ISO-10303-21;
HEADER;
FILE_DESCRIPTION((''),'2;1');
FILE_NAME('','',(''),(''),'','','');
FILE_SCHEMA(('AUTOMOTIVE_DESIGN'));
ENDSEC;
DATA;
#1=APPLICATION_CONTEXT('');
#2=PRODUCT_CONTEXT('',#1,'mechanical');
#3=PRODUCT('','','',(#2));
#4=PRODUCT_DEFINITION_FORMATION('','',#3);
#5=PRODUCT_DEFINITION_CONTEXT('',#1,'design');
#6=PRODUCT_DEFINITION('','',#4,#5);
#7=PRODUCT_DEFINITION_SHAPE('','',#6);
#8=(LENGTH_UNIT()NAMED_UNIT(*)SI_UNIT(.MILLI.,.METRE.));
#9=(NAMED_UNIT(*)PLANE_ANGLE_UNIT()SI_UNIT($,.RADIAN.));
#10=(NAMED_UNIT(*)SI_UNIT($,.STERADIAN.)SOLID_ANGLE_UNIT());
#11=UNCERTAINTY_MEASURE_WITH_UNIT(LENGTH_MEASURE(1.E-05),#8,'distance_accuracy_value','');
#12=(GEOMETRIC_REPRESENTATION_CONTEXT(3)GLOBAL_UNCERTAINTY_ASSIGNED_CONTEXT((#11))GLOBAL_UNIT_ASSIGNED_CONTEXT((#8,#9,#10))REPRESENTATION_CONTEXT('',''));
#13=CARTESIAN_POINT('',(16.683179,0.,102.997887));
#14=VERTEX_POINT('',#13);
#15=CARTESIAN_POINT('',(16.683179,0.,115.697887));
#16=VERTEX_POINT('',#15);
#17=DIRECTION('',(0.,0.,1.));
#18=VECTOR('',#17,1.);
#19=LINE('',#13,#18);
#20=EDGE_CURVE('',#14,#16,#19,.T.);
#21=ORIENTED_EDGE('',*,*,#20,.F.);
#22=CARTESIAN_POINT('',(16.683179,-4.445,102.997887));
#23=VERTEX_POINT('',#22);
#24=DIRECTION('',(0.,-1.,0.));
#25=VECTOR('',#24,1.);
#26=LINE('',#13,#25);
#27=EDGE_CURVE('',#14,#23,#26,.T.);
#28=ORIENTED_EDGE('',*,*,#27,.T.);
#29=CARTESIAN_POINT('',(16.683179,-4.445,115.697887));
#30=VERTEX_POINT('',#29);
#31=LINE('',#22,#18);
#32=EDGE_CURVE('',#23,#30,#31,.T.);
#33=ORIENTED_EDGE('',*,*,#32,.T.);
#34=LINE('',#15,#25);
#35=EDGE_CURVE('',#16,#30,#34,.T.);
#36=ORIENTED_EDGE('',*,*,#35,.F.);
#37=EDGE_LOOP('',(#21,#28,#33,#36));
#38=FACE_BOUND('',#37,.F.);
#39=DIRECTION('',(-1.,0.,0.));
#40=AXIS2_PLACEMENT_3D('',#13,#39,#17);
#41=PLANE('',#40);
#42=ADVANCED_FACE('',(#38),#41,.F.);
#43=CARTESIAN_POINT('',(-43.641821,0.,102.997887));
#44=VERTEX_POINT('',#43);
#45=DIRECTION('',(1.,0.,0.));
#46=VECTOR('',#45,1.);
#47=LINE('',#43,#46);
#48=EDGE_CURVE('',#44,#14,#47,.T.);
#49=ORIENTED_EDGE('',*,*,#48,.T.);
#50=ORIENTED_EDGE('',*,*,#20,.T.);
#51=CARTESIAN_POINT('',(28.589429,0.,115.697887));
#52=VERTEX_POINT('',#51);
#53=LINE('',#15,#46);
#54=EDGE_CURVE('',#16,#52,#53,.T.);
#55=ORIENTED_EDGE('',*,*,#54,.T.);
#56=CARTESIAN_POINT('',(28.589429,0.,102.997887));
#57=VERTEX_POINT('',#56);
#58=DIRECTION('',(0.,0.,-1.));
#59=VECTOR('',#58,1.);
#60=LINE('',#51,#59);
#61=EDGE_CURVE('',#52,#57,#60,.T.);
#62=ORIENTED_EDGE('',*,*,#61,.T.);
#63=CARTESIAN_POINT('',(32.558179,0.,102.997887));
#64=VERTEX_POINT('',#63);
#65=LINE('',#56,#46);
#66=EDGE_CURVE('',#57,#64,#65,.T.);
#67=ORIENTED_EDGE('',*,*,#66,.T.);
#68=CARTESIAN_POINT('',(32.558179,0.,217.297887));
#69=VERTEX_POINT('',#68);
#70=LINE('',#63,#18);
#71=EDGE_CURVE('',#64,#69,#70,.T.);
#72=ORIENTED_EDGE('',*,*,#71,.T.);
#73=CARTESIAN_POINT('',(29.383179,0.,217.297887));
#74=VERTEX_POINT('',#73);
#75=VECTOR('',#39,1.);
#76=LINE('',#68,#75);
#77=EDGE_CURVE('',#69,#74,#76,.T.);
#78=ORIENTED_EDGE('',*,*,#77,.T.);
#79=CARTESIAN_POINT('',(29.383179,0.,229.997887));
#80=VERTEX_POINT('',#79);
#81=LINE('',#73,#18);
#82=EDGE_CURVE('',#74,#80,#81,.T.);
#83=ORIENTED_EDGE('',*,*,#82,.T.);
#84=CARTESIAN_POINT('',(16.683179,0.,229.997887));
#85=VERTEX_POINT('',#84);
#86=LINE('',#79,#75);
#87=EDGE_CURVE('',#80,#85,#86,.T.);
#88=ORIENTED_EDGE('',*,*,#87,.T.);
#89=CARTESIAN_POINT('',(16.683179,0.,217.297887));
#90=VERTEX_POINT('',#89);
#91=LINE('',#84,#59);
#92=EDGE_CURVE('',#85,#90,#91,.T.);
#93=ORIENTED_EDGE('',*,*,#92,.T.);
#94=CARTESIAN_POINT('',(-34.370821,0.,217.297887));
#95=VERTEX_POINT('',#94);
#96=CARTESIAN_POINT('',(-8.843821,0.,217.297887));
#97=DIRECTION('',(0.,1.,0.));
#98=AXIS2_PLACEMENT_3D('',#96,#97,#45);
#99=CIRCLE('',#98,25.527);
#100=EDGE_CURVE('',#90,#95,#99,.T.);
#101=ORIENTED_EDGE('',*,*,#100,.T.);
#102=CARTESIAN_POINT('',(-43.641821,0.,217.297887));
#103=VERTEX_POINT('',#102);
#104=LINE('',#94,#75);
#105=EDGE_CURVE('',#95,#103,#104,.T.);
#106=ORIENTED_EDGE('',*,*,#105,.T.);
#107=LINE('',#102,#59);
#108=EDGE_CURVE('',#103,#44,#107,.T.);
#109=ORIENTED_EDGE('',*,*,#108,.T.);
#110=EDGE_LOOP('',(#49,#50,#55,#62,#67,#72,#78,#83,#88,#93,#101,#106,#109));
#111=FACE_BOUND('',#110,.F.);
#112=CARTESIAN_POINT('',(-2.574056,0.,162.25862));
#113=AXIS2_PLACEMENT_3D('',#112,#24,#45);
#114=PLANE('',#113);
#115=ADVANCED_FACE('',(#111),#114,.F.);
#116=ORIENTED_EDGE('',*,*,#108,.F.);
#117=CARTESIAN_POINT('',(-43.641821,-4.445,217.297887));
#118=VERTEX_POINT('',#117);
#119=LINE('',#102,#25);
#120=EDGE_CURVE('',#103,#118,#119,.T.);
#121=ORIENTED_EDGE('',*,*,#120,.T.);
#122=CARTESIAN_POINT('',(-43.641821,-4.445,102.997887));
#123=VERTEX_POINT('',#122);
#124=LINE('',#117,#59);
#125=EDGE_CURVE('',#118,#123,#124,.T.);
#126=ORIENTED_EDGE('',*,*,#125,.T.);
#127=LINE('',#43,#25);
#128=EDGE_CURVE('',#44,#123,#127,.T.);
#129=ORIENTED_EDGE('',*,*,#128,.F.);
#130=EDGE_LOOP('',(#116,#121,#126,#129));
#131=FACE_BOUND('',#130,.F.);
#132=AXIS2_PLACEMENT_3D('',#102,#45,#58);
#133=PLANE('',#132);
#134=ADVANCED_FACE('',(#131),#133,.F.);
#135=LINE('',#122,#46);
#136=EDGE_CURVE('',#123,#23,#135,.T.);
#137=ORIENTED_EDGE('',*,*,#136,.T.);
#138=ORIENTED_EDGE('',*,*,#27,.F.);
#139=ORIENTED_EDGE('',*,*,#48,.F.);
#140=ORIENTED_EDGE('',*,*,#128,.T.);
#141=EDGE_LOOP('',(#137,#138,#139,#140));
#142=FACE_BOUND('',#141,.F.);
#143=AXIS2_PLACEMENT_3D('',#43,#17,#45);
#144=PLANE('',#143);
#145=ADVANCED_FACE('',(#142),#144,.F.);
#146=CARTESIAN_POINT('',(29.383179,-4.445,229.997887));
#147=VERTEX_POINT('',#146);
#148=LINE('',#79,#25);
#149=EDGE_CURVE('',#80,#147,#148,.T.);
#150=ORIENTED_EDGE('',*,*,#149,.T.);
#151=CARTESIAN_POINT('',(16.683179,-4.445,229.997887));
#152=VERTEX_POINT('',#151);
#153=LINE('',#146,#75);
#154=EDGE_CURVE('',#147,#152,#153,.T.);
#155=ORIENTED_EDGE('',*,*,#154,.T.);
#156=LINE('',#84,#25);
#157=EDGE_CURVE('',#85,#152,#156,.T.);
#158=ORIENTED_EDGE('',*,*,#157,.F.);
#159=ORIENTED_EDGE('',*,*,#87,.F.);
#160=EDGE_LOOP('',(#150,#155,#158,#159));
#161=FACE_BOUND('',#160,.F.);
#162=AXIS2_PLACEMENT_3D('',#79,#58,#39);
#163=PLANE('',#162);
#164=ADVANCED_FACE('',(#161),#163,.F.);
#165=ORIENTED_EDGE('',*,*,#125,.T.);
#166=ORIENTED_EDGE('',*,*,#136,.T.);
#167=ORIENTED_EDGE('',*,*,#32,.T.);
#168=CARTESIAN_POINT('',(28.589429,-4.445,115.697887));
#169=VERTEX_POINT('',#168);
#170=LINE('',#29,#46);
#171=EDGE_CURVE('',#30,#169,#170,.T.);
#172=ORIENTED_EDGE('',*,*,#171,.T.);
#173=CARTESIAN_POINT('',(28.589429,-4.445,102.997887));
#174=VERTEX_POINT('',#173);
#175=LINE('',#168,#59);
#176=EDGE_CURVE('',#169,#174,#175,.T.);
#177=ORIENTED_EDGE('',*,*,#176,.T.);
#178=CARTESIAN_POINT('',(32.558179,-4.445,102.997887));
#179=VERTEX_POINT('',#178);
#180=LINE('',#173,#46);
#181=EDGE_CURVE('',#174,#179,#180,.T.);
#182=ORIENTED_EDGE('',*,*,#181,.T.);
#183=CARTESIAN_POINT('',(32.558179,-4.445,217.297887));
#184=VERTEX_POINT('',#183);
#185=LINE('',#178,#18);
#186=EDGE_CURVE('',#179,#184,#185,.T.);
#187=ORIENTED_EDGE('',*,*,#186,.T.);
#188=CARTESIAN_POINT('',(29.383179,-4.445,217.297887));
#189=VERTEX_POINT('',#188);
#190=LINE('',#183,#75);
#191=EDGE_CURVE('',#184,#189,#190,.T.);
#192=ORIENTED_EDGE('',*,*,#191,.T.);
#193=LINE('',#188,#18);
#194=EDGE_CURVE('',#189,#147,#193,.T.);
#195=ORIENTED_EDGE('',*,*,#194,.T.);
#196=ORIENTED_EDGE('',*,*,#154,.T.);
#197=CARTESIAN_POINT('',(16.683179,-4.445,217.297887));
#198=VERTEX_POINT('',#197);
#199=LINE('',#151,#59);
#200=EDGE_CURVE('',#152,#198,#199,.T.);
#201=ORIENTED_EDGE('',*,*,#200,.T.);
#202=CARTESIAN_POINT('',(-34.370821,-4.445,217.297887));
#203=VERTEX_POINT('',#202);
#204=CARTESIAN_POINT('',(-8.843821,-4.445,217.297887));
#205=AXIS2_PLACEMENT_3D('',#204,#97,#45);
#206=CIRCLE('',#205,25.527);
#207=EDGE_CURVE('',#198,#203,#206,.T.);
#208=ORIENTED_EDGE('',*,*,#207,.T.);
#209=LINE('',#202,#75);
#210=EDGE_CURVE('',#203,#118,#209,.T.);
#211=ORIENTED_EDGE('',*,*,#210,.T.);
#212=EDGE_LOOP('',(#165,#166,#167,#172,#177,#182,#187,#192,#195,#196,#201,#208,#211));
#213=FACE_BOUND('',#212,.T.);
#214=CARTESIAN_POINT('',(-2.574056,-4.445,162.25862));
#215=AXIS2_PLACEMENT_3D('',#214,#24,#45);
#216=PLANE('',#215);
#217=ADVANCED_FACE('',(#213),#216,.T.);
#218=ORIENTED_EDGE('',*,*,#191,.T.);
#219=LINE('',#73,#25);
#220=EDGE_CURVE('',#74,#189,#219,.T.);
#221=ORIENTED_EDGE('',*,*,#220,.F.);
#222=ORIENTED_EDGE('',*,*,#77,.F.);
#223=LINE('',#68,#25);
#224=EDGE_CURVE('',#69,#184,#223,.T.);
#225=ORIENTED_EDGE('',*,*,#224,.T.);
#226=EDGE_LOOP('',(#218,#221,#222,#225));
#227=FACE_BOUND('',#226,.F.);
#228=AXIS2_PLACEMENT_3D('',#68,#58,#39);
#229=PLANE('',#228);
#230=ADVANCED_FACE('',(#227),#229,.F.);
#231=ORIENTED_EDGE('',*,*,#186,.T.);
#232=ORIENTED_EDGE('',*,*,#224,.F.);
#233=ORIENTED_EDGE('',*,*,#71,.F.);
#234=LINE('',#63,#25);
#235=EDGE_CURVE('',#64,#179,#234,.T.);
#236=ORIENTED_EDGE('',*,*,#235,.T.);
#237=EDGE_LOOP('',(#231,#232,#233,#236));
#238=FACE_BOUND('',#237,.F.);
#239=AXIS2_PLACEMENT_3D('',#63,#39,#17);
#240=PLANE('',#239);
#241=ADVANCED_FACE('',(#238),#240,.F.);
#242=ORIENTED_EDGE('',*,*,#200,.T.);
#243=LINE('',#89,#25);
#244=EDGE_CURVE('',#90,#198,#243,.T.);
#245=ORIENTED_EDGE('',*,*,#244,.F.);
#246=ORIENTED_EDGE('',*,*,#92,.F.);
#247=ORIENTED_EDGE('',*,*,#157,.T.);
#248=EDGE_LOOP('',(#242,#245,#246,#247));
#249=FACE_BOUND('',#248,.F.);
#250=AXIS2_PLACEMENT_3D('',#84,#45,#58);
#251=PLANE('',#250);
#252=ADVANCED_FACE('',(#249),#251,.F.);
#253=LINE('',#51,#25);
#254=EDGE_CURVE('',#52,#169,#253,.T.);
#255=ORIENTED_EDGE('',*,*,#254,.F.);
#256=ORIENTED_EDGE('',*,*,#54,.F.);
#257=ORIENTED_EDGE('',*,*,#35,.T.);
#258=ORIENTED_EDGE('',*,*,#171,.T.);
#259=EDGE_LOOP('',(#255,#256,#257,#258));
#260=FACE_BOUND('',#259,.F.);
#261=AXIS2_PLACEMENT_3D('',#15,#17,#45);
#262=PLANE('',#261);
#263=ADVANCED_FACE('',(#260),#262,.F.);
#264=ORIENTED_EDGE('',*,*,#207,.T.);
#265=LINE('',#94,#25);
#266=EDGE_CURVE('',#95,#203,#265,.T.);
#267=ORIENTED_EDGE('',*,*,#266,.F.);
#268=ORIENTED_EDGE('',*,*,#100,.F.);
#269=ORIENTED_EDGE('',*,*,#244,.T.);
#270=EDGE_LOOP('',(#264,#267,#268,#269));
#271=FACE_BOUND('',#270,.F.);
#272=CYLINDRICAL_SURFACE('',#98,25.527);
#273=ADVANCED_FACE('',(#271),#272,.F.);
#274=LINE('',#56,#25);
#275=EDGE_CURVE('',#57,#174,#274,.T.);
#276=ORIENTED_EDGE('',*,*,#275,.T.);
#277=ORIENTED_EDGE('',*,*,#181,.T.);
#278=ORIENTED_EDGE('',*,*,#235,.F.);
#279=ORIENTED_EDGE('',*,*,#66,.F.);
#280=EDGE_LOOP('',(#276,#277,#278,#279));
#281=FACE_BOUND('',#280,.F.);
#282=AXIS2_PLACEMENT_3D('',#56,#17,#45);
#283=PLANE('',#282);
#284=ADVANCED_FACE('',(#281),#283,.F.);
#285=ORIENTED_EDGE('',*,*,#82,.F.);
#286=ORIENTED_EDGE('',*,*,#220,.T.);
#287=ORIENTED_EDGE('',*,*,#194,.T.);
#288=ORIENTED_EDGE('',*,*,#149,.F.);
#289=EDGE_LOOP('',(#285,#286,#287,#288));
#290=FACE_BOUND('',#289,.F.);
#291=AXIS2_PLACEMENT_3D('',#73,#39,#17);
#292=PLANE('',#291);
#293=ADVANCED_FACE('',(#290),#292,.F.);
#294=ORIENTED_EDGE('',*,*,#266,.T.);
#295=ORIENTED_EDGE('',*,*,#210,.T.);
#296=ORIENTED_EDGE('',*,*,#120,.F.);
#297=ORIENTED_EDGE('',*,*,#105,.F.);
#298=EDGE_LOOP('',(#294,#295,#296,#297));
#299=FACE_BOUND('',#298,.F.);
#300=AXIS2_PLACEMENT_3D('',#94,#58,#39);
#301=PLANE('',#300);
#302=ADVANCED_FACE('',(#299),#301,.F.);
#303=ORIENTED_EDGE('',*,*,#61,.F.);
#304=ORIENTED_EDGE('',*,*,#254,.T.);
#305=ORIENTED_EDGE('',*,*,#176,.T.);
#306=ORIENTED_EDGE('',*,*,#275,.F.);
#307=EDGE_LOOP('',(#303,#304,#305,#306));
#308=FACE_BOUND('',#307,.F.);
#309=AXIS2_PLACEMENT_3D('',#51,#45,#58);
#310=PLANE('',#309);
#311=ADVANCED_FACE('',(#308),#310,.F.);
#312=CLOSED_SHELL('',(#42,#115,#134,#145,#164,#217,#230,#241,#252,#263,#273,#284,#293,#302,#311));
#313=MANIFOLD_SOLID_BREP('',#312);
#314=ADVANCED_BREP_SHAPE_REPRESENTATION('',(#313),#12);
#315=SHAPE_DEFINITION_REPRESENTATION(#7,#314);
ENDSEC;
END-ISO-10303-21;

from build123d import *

# Parameters (mm, degrees)
F1_DEPTH = 4.445


with BuildPart() as f1:
    # F0 (on Front) → F1 (new body)
    with BuildSketch(Plane.XZ):
        with BuildLine():
            Line((-34.370821, 217.297887), (-43.641821, 217.297887))
            Line((-43.641821, 217.297887), (-43.641821, 102.997887))
            Line((-43.641821, 102.997887), (16.683179, 102.997887))
            Line((16.683179, 102.997887), (16.683179, 115.697887))
            Line((16.683179, 115.697887), (28.589429, 115.697887))
            Line((28.589429, 115.697887), (28.589429, 102.997887))
            Line((28.589429, 102.997887), (29.383179, 102.997887))
            Line((29.383179, 102.997887), (32.558179, 102.997887))
            Line((32.558179, 102.997887), (32.558179, 217.297887))
            Line((32.558179, 217.297887), (29.383179, 217.297887))
            Line((29.383179, 217.297887), (29.383179, 229.997887))
            Line((29.383179, 229.997887), (16.683179, 229.997887))
            Line((16.683179, 229.997887), (16.683179, 217.297887))
            ThreePointArc((16.683179, 217.297887), (-8.843821, 191.770887), (-34.370821, 217.297887))
        make_face()
    extrude(amount=F1_DEPTH)


solid = f1.part
